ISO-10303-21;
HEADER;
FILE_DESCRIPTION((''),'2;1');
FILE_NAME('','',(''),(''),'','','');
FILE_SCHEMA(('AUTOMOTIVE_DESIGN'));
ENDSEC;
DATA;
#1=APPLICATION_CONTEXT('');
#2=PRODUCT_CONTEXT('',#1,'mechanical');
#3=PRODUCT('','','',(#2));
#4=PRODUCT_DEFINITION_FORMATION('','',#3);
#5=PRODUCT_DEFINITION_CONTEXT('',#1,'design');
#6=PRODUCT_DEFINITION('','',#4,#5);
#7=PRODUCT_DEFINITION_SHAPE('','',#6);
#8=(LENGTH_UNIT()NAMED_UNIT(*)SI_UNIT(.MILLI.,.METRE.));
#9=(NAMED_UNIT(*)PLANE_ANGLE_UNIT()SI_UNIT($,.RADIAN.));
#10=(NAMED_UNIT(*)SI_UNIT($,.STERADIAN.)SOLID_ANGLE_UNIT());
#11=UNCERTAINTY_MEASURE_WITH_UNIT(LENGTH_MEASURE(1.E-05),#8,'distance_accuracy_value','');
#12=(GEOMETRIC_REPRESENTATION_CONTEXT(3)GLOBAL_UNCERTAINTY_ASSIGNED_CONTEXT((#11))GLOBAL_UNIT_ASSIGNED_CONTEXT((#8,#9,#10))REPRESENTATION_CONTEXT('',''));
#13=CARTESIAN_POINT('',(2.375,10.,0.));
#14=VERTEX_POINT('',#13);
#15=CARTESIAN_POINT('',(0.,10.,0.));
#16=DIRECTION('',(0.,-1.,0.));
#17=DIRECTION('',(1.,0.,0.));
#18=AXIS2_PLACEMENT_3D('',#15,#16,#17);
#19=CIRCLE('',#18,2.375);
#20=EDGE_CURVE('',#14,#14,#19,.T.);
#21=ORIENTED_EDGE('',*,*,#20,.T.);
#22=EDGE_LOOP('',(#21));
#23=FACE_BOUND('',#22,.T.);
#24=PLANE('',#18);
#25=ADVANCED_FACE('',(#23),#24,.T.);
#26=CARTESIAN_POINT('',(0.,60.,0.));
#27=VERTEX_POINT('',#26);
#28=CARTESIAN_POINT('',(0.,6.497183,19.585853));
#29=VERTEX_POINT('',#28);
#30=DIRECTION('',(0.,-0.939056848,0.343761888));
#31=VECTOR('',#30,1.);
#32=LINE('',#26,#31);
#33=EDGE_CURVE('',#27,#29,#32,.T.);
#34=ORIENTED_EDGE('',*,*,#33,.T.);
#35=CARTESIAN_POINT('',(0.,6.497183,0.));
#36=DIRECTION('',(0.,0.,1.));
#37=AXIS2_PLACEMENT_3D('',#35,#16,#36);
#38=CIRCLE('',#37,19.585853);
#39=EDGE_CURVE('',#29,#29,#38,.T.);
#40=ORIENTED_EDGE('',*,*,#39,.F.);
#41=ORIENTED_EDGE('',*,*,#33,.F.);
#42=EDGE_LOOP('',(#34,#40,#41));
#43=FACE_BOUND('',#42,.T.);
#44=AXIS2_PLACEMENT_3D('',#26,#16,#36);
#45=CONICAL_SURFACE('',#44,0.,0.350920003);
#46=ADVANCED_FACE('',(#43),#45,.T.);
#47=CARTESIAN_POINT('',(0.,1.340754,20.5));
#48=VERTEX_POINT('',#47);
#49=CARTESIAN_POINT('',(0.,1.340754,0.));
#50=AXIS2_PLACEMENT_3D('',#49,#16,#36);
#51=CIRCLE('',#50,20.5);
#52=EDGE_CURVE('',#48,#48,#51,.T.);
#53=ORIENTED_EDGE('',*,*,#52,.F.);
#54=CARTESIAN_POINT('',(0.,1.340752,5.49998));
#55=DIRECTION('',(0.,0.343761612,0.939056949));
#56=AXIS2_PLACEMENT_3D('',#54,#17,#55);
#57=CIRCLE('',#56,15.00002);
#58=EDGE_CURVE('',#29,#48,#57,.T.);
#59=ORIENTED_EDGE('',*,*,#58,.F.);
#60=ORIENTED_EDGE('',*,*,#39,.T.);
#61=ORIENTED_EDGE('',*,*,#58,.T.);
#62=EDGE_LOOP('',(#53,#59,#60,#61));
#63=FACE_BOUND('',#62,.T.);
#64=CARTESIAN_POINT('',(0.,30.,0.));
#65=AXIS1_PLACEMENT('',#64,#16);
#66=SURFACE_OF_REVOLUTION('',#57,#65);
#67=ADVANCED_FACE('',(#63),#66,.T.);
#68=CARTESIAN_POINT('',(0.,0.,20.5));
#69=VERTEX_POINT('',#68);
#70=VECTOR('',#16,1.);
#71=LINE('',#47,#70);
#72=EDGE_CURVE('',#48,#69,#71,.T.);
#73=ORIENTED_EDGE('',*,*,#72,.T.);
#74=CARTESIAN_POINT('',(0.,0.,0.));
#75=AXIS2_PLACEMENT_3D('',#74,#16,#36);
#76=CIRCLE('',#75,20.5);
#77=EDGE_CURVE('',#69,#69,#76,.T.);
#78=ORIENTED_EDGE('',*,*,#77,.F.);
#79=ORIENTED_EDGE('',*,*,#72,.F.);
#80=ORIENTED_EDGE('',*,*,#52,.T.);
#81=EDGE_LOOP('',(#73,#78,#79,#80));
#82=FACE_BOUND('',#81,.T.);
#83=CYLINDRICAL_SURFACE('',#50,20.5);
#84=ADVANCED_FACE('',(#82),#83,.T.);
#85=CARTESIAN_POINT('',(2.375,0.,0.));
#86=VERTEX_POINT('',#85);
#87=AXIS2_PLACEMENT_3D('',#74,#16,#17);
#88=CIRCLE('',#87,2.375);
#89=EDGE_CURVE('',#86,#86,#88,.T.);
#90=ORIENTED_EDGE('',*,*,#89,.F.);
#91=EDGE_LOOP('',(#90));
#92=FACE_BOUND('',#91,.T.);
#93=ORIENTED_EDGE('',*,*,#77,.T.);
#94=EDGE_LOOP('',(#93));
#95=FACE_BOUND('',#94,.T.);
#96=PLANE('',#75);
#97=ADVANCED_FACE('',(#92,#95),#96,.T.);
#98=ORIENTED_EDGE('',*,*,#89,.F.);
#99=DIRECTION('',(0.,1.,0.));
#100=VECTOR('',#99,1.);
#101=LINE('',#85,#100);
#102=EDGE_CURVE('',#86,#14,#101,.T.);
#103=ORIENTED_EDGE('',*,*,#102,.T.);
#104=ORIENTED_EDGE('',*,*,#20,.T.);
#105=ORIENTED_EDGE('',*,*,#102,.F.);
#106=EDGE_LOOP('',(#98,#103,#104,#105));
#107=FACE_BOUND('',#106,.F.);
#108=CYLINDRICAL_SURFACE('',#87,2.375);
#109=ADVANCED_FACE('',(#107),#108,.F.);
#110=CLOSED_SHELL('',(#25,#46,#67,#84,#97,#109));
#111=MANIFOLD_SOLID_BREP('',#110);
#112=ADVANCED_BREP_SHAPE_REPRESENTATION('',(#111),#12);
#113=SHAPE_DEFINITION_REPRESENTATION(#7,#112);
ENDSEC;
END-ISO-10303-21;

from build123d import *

# Parameters (mm, degrees)
F2_R     = 2.375
F3_DEPTH = 10


with BuildPart() as f1:
    # F0 (on Right) → F1 (revolve)
    with BuildSketch(Plane.YZ):
        with BuildLine():
            Line((0, 20.5), (0, 0))
            Line((0, 0), (60, 0))
            Line((60, 0), (6.497183, 19.585853))
            ThreePointArc((6.497183, 19.585853), (3.959171, 20.269695), (1.340754, 20.5))
            Line((1.340754, 20.5), (0, 20.5))
        make_face()
    revolve(axis=Axis((0, 30, 0), (0, -1, 0)))

    # F2 (on Front) → F3 (cut)
    with BuildSketch(Plane.XZ):
        Circle(F2_R)
    extrude(amount=-F3_DEPTH, mode=Mode.SUBTRACT)


solid = f1.part
